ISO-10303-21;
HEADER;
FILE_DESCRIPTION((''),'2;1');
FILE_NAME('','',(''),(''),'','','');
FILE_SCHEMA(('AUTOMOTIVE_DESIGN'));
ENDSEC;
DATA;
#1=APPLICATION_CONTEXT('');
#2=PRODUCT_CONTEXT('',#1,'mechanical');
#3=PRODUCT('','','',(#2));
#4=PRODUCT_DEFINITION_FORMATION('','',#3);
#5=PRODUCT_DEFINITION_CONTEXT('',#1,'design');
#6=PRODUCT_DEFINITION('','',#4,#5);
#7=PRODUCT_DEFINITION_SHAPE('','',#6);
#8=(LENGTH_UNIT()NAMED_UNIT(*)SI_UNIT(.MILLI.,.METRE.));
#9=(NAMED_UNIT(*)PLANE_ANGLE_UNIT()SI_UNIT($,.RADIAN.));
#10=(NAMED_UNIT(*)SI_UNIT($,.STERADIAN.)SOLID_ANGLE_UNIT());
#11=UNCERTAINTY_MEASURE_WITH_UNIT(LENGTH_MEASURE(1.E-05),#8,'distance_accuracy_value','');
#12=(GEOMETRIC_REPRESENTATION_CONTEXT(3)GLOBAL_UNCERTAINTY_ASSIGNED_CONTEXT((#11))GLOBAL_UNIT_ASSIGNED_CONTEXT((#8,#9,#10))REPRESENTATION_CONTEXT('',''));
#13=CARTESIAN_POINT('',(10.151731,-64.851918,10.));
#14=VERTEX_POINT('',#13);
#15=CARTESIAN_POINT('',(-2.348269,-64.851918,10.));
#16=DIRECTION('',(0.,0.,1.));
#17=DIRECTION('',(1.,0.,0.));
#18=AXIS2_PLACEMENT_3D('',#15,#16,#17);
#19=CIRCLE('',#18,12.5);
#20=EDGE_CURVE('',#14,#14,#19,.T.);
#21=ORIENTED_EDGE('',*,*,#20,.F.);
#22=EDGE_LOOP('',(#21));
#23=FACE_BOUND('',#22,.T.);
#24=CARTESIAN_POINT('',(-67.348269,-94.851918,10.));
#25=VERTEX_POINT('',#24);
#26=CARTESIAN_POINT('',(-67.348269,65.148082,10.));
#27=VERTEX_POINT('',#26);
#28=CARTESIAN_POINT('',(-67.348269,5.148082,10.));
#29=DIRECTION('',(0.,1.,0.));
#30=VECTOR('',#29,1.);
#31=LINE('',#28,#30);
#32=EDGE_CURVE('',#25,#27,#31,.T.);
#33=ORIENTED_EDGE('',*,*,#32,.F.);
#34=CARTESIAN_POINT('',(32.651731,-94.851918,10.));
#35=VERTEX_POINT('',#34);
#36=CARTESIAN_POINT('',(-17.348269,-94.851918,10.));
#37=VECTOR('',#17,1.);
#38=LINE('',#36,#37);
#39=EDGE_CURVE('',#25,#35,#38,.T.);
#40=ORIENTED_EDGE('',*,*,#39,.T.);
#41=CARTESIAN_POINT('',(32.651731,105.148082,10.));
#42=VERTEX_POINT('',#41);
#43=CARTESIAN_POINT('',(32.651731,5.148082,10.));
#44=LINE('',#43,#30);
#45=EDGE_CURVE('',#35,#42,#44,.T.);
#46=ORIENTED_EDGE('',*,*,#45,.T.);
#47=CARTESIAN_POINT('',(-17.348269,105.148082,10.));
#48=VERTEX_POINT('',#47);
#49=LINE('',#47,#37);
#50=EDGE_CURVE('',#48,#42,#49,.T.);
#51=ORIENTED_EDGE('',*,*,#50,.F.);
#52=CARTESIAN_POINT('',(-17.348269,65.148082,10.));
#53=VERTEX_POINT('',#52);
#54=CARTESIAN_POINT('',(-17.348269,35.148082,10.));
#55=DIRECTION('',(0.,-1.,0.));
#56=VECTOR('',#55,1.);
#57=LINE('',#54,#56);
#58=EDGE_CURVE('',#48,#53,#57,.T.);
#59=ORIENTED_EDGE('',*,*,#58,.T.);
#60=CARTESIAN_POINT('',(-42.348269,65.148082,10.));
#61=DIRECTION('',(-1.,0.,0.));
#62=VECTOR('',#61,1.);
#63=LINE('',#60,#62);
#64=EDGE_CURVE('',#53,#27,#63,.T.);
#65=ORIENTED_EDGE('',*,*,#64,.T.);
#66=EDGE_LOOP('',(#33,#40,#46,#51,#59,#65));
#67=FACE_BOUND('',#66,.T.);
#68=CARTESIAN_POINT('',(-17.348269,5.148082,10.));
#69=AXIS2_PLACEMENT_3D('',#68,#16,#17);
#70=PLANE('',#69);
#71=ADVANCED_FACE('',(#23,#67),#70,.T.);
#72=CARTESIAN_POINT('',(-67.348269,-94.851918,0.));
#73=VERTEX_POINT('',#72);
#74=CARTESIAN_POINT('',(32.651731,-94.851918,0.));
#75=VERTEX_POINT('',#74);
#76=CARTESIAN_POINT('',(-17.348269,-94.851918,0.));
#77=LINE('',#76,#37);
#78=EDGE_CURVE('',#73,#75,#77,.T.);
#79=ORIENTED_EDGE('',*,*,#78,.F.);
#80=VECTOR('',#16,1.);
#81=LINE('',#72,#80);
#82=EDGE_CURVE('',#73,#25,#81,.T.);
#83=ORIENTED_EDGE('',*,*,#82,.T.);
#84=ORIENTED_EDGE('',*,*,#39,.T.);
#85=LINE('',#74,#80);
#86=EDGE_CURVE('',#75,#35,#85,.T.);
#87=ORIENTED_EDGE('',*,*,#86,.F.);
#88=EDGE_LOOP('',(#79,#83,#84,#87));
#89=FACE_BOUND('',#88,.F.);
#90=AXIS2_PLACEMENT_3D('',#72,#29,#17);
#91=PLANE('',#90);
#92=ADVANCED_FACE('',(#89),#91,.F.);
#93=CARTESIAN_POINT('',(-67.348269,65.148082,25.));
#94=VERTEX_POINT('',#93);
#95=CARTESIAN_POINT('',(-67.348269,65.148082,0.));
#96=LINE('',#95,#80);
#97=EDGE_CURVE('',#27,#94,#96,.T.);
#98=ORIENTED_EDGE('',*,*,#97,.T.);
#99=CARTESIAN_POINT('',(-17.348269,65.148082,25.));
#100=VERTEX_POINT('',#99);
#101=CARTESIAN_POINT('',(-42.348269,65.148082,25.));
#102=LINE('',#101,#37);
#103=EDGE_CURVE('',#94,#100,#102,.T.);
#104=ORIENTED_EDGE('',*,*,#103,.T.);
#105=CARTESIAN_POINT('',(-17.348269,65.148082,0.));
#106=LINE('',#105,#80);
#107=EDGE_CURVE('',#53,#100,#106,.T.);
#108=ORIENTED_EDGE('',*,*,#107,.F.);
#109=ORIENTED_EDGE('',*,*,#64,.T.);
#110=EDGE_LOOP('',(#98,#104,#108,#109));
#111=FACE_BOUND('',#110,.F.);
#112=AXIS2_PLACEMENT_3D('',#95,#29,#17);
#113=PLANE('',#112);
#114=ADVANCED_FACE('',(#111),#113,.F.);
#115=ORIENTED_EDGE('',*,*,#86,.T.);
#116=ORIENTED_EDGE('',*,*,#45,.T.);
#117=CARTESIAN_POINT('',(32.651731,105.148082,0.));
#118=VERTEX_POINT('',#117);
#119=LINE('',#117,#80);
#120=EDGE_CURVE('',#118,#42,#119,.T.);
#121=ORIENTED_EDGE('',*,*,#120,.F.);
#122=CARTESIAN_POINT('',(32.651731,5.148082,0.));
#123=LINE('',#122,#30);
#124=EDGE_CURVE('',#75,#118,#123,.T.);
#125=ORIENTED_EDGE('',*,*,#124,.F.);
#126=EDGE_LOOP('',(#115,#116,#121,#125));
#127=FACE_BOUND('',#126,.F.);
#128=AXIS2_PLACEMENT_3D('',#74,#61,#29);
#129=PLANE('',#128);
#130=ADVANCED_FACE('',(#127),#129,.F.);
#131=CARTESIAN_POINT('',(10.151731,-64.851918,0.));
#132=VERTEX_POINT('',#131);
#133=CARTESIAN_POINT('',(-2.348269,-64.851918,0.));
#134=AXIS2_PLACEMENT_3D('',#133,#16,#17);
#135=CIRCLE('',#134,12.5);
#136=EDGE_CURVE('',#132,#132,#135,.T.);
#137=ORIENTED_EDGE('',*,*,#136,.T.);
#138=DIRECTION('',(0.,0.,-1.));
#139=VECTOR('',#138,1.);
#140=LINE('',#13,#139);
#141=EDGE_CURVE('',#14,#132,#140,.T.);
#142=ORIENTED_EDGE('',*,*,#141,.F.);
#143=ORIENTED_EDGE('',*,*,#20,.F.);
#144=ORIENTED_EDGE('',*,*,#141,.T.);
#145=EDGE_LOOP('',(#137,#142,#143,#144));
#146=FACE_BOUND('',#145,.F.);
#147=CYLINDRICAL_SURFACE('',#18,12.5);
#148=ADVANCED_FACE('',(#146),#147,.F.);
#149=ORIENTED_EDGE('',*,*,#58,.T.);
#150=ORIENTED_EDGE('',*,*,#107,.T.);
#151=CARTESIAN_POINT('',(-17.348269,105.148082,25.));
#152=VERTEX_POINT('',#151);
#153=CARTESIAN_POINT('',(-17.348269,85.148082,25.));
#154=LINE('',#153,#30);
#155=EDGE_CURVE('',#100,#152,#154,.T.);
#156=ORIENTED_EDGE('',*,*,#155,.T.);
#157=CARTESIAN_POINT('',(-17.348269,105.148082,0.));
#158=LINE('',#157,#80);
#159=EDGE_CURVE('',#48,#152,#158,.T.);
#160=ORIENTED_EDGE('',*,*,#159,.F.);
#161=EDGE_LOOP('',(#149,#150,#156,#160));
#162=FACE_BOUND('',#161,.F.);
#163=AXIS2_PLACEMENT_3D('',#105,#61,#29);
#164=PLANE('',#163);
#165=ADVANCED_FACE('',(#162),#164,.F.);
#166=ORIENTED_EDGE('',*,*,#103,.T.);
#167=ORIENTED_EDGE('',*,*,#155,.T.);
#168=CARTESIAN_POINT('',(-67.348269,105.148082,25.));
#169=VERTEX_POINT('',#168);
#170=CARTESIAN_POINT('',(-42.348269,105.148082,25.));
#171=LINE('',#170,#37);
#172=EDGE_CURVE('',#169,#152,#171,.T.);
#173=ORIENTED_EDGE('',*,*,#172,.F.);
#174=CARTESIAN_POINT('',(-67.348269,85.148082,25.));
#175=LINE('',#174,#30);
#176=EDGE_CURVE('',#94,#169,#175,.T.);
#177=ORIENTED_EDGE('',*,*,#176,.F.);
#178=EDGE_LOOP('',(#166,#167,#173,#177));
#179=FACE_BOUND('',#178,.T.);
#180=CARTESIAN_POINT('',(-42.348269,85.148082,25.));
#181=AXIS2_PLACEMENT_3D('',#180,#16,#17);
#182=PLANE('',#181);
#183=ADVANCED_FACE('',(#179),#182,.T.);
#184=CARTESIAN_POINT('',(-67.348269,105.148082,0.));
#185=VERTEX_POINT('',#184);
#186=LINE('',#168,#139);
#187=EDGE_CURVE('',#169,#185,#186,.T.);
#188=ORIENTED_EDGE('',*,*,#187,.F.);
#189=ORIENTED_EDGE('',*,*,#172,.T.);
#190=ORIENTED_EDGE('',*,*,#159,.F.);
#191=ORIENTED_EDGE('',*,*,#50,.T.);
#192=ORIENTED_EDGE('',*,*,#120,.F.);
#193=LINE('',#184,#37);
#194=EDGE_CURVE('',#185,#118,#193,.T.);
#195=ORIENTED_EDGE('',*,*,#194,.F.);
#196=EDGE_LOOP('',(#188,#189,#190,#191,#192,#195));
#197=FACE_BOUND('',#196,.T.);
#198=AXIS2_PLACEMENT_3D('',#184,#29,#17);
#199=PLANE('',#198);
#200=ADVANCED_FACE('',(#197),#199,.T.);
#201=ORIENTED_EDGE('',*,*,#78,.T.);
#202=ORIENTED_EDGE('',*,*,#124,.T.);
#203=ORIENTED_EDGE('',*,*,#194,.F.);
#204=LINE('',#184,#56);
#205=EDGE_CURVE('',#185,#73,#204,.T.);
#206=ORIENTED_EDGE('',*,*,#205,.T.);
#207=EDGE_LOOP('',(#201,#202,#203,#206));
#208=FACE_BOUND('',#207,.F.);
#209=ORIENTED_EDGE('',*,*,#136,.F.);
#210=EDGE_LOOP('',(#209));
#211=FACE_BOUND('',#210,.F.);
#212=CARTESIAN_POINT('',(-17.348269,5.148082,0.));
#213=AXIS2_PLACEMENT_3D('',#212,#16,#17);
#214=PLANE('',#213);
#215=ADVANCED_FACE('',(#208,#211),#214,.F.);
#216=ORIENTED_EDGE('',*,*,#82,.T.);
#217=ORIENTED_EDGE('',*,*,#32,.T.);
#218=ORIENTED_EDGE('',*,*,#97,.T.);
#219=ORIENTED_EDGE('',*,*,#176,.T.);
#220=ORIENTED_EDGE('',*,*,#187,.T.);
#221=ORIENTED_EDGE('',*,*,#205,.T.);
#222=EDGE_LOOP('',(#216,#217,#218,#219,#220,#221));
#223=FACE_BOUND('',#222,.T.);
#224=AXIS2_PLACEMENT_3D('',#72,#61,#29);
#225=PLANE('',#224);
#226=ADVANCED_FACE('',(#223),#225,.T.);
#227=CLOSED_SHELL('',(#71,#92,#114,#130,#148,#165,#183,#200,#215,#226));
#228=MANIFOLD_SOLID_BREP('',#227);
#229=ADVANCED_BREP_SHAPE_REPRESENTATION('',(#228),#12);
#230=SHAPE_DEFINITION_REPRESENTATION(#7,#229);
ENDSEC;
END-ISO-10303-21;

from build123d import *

# Parameters (mm, degrees)
F0_W     = 100
F0_H     = 200
F1_DEPTH = 10
F2_W     = 50
F2_H     = 40
F3_DEPTH = 25
F4_R     = 12.5
F5_DEPTH = 10.001


with BuildPart() as f1:
    # F0 (on Top) → F1 (new body)
    with BuildSketch(Plane.XY):
        with Locations((-17.348269, 5.148082)):
            Rectangle(F0_W, F0_H)
    extrude(amount=F1_DEPTH)

    # F2 (on Top) → F3 (join)
    with BuildSketch(Plane.XY):
        with Locations((-42.348269, 85.148082)):
            Rectangle(F2_W, F2_H)
    extrude(amount=F3_DEPTH)

    # F4 (on face) → F5 (cut, through all)
    with BuildSketch(Plane.XY.offset(10)):
        with Locations((-2.348269, -64.851918)):
            Circle(F4_R)
    extrude(amount=-F5_DEPTH, mode=Mode.SUBTRACT)


solid = f1.part
